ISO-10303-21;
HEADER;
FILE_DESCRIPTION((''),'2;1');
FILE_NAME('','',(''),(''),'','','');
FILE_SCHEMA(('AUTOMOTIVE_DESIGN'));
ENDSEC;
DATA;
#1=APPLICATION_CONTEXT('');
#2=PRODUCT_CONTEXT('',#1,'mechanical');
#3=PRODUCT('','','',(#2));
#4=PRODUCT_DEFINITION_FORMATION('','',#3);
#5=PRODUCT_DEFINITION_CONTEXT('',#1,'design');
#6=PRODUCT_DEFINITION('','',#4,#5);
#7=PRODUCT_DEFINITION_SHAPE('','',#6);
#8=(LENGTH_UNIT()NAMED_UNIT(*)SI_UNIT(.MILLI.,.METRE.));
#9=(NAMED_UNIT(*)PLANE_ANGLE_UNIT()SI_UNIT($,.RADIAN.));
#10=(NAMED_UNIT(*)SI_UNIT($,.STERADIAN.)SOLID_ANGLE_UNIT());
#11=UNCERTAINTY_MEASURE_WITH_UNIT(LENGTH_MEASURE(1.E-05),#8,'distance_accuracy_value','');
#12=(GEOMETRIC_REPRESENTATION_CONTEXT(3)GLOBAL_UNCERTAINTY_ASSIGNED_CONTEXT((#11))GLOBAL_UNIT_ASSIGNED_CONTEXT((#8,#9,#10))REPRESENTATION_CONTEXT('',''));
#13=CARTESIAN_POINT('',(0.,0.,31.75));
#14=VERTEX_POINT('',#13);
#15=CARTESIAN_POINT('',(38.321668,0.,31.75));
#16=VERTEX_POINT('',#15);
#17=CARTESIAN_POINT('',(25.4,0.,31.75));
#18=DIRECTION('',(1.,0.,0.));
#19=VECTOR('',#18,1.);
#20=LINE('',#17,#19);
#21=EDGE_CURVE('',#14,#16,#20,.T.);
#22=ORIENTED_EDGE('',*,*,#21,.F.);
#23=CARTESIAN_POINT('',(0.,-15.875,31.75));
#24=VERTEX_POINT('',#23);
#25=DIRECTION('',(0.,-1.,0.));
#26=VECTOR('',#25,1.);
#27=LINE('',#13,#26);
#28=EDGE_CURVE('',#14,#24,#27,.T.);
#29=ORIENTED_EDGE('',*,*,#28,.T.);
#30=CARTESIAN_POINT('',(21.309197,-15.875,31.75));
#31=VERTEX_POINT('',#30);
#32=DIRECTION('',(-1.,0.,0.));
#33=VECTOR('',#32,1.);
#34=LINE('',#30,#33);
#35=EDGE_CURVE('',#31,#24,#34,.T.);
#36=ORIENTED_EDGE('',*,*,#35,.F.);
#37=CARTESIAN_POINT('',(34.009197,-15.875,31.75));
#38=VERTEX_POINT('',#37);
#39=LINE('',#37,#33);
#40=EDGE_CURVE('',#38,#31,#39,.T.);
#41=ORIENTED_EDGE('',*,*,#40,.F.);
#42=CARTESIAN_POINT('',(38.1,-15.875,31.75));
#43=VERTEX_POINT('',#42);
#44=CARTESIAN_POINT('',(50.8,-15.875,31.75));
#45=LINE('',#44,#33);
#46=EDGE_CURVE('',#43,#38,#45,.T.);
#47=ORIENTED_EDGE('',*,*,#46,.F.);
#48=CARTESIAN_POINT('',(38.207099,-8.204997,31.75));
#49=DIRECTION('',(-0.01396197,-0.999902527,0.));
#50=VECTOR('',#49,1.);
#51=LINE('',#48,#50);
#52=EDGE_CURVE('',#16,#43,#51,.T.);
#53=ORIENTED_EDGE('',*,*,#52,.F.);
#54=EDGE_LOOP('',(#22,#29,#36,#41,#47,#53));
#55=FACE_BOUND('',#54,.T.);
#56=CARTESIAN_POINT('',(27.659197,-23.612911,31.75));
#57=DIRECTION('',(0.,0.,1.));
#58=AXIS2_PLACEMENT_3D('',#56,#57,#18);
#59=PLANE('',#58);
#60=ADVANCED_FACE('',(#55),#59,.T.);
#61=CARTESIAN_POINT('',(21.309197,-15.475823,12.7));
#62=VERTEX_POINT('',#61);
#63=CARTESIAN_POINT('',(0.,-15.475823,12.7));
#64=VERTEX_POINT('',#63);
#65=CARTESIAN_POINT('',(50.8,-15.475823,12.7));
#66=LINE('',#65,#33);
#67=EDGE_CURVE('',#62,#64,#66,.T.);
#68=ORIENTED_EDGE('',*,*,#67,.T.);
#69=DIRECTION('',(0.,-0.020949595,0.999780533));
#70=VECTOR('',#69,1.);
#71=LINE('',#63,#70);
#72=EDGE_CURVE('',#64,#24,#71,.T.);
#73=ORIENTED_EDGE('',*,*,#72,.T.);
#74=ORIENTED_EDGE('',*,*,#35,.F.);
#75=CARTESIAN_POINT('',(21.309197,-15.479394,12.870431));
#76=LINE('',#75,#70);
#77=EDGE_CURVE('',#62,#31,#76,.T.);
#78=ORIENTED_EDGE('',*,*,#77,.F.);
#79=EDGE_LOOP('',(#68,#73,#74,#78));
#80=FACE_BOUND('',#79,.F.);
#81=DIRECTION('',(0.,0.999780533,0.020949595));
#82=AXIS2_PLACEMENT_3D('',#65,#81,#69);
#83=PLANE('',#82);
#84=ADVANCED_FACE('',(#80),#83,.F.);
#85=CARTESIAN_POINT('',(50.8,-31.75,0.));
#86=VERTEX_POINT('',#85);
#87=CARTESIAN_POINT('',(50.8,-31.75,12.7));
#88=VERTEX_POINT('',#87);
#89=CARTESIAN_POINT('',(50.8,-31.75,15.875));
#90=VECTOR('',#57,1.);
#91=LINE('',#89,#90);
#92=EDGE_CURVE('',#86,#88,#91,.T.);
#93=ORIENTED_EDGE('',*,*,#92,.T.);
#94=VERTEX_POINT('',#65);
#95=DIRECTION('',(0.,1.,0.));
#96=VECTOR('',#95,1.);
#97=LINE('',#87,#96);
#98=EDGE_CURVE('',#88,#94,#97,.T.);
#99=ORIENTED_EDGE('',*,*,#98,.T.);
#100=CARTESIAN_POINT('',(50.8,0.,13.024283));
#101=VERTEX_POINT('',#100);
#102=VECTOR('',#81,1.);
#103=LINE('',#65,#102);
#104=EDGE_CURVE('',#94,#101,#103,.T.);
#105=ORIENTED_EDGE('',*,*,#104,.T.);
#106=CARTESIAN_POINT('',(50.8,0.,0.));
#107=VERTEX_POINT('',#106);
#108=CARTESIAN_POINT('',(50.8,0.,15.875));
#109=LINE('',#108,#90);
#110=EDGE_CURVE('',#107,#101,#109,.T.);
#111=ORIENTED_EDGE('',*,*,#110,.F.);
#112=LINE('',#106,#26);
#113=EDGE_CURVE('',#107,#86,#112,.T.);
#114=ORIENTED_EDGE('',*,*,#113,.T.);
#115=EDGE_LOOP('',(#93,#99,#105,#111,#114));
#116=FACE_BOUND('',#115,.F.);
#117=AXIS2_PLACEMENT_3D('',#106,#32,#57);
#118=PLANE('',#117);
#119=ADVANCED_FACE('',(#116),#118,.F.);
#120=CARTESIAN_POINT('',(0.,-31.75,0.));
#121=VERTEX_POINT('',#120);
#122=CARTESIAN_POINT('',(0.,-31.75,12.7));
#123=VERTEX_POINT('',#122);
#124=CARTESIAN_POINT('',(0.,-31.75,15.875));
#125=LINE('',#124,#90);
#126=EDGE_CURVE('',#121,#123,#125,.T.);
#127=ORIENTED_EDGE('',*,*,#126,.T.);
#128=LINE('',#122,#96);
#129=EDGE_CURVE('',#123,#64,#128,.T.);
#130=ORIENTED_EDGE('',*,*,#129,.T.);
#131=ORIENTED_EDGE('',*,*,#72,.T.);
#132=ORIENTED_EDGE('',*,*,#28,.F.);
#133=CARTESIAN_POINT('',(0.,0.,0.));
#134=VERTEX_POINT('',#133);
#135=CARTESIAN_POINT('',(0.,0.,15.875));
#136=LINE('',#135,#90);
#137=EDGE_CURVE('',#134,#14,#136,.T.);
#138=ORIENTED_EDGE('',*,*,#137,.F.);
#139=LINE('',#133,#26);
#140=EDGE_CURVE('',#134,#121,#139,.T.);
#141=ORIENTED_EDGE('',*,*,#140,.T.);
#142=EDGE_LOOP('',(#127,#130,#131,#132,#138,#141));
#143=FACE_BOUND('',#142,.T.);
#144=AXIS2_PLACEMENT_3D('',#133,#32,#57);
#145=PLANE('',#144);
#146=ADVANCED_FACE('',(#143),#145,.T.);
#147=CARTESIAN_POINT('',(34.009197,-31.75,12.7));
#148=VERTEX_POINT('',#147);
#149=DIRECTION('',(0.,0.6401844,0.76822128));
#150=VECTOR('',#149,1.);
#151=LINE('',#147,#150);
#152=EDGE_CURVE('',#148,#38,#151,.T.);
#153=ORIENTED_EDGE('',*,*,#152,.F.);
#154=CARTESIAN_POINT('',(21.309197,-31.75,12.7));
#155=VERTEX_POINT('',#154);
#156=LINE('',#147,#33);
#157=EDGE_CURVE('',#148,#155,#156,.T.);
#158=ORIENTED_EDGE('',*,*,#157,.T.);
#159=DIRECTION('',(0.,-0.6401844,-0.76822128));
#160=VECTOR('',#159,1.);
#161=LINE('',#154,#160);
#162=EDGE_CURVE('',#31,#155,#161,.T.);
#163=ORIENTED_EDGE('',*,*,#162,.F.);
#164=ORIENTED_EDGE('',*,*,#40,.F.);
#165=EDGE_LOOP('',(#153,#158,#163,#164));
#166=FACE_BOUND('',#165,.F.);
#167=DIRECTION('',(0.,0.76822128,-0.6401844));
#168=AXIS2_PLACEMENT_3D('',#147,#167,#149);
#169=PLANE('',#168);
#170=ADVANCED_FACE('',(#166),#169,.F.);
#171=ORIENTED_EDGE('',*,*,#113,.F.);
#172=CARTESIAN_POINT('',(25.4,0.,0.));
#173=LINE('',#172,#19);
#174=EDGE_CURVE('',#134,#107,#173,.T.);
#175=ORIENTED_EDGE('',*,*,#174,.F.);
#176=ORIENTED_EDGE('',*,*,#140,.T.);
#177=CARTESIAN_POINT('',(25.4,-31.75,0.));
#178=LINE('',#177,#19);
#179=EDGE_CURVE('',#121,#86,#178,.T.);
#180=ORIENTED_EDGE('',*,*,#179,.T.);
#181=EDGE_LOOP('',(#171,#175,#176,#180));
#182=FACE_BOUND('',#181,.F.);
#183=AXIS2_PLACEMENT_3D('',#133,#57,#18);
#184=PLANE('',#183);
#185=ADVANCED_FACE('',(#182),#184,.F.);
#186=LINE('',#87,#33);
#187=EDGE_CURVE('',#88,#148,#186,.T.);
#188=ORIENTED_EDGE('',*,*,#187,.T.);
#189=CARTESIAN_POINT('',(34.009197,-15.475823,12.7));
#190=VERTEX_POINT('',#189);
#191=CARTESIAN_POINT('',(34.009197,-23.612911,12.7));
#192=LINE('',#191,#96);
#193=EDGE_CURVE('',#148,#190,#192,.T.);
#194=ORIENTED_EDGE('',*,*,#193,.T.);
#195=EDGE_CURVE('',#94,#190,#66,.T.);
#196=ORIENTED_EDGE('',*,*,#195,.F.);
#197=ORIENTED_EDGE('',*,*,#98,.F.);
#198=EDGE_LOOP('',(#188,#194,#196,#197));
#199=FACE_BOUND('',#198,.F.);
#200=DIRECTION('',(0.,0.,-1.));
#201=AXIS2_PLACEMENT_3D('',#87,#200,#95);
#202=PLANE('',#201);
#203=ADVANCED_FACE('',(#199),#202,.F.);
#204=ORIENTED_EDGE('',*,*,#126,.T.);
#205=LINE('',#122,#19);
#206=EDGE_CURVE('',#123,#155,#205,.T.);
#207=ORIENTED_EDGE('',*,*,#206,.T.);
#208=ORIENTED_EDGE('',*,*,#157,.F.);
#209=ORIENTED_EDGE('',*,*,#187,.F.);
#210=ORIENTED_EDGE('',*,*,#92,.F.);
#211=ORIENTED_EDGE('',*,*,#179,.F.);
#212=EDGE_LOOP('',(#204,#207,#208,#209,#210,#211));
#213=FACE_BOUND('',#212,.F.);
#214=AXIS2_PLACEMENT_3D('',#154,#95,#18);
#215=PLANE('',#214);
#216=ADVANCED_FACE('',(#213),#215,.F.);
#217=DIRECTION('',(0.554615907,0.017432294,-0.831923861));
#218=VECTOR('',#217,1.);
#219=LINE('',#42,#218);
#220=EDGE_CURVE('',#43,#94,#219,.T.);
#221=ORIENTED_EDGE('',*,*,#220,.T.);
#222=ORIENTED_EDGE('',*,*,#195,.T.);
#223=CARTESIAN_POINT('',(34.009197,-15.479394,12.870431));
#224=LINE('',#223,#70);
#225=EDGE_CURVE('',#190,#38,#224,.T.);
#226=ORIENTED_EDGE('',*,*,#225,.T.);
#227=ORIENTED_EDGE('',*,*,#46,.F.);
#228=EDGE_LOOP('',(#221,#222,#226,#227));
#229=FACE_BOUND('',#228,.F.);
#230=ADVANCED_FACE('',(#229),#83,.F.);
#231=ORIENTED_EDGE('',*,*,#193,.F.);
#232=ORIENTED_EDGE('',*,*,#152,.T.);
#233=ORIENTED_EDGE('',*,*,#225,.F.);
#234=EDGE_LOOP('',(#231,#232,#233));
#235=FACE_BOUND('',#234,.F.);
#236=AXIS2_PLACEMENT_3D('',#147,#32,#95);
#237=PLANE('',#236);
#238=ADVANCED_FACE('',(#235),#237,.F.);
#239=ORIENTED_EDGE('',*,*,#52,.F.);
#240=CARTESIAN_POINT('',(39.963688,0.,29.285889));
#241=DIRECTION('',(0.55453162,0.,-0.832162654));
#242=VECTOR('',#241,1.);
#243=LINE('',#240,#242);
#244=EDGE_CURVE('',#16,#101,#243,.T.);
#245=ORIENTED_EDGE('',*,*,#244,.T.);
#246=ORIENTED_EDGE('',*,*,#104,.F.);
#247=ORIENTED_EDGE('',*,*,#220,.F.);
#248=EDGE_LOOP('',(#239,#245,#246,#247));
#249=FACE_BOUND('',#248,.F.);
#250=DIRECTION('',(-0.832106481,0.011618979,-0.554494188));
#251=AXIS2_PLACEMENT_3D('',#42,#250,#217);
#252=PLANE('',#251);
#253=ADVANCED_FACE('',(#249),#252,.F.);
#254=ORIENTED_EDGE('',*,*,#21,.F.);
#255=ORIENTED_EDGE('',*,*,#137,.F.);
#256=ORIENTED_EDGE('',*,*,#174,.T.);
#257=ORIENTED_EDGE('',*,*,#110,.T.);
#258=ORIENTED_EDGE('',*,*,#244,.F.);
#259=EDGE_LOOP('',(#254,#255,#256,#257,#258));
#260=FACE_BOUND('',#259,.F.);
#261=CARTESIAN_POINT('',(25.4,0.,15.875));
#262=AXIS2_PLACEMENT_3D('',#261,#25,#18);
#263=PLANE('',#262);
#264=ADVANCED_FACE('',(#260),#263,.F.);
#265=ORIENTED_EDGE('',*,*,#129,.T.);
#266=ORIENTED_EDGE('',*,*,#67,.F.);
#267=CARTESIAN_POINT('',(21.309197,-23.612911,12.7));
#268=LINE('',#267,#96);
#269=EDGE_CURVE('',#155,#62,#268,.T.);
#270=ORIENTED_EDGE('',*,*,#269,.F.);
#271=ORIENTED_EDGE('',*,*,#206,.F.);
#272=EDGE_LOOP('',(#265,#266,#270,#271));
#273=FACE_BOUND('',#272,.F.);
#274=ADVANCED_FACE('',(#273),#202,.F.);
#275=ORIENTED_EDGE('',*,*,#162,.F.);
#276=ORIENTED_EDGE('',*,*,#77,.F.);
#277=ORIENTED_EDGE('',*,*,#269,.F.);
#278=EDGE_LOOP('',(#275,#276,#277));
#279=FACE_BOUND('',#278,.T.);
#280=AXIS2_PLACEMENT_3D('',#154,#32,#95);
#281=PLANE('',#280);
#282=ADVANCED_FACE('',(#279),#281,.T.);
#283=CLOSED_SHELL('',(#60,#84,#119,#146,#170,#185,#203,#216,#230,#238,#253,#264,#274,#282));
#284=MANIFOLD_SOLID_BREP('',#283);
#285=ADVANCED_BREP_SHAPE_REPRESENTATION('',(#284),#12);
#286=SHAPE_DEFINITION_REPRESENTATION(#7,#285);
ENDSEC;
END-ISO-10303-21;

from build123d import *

# Parameters (mm, degrees)
F0_W      = 50.8
F0_H      = 31.75
F1_DEPTH  = 31.75
F3_DEPTH  = 50.8
F5_DEPTH  = 50.8
F7_DEPTH  = 25.4
F8_W      = 12.7
F8_H      = 16.2741773874
F9_DEPTH  = 19.05
F11_DEPTH = 25.4


with BuildPart() as f1:
    # F0 (on Front) → F1 (new body)
    with BuildSketch(Plane.XZ):
        with Locations((25.4, 15.875)):
            Rectangle(F0_W, F0_H)
    extrude(amount=F1_DEPTH)

    # F2 (on face) → F3 (cut)
    with BuildSketch(Plane.YZ.offset(50.8)):
        Polygon((-31.75, 31.75), (-31.75, 12.7), (-15.875, 31.75), align=None)
    extrude(amount=-F3_DEPTH, mode=Mode.SUBTRACT)

    # F4 (on face) → F5 (cut)
    with BuildSketch(Plane.YZ.offset(50.8)):
        Polygon((-15.875, 31.75), (-31.75, 12.7), (-15.4758226126, 12.7), align=None)
    extrude(amount=-F5_DEPTH, mode=Mode.SUBTRACT)

    # F6 (on face) → F7 (cut)
    with BuildSketch(Plane(origin=(0, -15.2030290354, -0.3185672131), x_dir=(1, 0, 0), z_dir=(0, -0.9997805332, -0.0209495948))):
        Polygon((38.1, 32.0756067453), (50.8, 13.0214249842), (50.8, 32.0756067453), align=None)
    extrude(amount=-F7_DEPTH, mode=Mode.SUBTRACT)

    # F8 (on face) → F9 (join)
    with BuildSketch(Plane.XY.offset(12.7)):
        with Locations((27.659196949, -23.6129113063)):
            Rectangle(F8_W, F8_H)
    extrude(amount=F9_DEPTH)

    # F10 (on face) → F11 (cut)
    with BuildSketch(Plane.YZ.offset(34.009196949)):
        Polygon((-31.75, 12.7), (-15.875, 31.75), (-31.75, 31.75), align=None)
    extrude(amount=-F11_DEPTH, mode=Mode.SUBTRACT)


solid = f1.part
